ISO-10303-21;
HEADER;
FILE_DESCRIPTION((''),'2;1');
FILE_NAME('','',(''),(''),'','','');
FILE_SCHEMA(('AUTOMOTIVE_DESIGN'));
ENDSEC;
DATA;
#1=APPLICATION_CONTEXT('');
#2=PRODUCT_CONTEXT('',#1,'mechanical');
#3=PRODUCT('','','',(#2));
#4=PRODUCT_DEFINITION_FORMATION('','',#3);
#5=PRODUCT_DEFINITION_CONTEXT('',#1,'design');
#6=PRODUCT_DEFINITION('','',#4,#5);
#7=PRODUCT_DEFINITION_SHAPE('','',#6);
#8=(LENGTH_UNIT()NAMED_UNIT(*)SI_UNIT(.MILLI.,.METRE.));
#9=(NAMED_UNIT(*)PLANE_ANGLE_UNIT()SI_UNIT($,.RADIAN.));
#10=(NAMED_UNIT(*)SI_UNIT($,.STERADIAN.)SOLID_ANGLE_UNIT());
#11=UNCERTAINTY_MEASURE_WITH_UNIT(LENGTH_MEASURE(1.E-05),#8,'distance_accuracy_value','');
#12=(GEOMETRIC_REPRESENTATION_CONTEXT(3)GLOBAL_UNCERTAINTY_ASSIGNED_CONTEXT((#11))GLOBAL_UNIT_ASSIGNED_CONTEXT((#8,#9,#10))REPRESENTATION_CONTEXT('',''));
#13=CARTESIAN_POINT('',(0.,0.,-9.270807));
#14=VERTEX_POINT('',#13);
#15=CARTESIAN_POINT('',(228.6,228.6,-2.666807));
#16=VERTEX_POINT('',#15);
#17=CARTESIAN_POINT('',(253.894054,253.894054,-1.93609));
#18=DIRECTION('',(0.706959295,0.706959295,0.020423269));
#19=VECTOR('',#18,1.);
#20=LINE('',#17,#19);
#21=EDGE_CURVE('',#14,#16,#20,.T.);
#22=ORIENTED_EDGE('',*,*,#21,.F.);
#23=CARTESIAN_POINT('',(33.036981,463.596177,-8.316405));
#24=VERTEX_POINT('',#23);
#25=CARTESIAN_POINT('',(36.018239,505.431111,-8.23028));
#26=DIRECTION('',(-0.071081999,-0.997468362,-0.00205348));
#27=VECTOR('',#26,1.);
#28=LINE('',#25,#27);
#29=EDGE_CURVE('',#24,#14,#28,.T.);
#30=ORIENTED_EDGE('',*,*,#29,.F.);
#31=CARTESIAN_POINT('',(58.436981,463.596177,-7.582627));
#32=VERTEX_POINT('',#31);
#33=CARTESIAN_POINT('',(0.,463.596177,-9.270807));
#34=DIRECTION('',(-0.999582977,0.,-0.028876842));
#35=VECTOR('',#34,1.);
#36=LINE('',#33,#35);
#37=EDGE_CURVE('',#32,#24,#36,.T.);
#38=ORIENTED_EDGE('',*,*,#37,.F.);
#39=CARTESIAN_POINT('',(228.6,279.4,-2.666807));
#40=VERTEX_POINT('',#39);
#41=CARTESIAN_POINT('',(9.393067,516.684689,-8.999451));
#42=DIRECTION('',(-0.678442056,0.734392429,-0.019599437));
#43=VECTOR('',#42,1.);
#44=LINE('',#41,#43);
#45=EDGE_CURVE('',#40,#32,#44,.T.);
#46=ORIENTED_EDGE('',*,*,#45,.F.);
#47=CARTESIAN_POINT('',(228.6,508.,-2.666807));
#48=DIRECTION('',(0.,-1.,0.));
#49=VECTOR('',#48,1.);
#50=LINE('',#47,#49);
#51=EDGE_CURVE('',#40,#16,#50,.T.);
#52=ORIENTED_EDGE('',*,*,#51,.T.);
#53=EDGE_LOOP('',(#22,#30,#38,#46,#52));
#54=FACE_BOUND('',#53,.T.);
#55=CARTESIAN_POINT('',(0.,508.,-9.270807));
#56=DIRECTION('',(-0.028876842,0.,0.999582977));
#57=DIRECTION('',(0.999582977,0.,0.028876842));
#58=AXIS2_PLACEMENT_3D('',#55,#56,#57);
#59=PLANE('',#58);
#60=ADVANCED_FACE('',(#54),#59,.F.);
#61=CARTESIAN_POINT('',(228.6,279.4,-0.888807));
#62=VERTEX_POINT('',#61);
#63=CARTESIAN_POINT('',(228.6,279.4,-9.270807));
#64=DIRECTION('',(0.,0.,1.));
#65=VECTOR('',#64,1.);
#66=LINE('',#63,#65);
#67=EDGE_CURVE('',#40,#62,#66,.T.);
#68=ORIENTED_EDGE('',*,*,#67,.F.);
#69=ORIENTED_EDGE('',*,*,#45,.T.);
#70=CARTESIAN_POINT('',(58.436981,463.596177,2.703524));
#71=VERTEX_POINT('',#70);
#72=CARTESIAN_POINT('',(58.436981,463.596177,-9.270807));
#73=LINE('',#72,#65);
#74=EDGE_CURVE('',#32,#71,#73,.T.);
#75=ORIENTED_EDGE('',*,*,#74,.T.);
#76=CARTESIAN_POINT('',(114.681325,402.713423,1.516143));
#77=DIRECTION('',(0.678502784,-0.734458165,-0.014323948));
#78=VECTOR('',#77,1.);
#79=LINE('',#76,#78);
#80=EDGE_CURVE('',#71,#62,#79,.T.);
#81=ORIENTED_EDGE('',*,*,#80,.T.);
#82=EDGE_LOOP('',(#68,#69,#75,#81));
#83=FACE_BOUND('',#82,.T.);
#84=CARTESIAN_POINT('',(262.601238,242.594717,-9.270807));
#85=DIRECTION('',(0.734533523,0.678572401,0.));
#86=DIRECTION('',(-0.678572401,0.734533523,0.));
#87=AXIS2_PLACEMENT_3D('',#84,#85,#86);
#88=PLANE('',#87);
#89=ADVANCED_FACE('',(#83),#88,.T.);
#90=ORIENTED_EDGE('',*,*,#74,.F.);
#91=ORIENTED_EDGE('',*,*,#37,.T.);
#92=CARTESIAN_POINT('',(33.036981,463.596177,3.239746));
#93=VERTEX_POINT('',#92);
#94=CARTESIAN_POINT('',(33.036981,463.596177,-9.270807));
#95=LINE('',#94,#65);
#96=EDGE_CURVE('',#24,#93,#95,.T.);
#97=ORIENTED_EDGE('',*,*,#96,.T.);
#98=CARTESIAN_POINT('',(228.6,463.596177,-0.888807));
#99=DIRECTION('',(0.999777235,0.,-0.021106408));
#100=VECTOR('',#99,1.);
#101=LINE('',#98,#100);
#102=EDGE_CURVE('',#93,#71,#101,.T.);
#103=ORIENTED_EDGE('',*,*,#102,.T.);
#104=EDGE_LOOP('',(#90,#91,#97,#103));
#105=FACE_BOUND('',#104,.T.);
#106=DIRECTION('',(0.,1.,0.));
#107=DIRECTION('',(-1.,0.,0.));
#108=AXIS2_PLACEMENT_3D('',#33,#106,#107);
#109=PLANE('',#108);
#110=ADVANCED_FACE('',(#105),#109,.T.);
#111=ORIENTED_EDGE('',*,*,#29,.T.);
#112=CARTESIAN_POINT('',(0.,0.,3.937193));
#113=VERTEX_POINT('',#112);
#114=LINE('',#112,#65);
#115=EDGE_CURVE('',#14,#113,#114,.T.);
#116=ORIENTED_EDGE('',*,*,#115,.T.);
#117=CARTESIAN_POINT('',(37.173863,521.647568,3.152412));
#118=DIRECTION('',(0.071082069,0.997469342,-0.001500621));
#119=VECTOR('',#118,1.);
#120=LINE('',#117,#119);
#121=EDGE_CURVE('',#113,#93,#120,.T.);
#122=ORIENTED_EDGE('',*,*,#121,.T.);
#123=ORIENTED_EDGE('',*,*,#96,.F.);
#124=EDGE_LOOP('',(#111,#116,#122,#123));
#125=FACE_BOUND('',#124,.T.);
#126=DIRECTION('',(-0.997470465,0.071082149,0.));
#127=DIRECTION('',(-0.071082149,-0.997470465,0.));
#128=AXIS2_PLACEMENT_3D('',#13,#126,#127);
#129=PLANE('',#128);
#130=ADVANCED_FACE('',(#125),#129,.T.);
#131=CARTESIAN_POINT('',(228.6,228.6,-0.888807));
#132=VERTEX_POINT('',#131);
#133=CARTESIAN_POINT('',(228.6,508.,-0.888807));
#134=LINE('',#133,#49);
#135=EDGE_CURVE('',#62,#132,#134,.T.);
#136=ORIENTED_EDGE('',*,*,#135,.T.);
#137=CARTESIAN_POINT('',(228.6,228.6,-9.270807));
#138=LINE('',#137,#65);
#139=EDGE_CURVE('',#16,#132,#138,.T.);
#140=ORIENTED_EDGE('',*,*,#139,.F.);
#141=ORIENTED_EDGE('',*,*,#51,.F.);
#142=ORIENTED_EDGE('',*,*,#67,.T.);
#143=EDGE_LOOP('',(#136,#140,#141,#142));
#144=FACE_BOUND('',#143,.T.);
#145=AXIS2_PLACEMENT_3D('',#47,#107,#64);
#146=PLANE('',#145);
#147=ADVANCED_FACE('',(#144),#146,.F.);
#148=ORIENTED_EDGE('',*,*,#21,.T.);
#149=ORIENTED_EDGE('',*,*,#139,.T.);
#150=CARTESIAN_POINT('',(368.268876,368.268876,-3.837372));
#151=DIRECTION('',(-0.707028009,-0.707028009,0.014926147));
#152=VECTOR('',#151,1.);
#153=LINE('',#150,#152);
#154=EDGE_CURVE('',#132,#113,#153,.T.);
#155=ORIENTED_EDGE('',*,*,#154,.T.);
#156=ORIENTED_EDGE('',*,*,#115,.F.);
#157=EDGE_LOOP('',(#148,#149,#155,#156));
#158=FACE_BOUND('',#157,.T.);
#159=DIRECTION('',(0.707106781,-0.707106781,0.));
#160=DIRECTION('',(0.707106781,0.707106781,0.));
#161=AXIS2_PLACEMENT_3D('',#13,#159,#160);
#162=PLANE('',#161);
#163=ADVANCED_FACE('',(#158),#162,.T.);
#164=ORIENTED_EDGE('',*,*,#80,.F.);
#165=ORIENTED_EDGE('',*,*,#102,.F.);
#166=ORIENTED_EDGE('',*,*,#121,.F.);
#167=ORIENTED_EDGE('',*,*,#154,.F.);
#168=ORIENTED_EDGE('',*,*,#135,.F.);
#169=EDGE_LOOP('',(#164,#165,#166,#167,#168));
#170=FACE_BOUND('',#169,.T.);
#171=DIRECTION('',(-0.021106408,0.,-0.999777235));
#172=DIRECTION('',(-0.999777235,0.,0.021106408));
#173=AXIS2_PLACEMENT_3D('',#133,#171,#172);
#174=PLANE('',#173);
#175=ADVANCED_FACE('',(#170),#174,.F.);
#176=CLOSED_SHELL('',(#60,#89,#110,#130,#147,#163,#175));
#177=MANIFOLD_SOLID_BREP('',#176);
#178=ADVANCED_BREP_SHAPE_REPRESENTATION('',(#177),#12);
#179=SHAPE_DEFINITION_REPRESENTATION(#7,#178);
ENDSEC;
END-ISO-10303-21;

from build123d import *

# Parameters (mm, degrees)
BOSS_EXTRUDE1_DEPTH     = 508
CUT_EXTRUDE3_DEPTH      = 558.14262793
CUT_EXTRUDE3_DEPTH_BACK = 558.14262793


with BuildPart() as part:
    # Sketch1 → Boss-Extrude1 (new body)
    with BuildSketch(Plane(origin=(0, 0, 0), x_dir=(1, 0, 0), z_dir=(0, 1, 0))):
        Polygon((0, -3.937193282), (0, 9.270806718), (228.6, 2.666806718), (228.6, 0.888806718), align=None)
    extrude(amount=BOSS_EXTRUDE1_DEPTH)

    # Sketch3 → Cut-Extrude3 (cut, two sides: drawn at the far end of the back side and taken through both)
    with BuildSketch(Plane.XY.offset(-CUT_EXTRUDE3_DEPTH_BACK)):
        Polygon((228.6, 0), (0, 0), (151.300007346, 151.300007346), (228.6, 228.6), align=None)
        Polygon((228.6, 508), (228.6, 279.4), (58.436980759, 463.596176947), (33.036980759, 463.596176947), (0, 0), (0, 508), align=None)
    extrude(amount=CUT_EXTRUDE3_DEPTH + CUT_EXTRUDE3_DEPTH_BACK, mode=Mode.SUBTRACT)


solid = part.part
